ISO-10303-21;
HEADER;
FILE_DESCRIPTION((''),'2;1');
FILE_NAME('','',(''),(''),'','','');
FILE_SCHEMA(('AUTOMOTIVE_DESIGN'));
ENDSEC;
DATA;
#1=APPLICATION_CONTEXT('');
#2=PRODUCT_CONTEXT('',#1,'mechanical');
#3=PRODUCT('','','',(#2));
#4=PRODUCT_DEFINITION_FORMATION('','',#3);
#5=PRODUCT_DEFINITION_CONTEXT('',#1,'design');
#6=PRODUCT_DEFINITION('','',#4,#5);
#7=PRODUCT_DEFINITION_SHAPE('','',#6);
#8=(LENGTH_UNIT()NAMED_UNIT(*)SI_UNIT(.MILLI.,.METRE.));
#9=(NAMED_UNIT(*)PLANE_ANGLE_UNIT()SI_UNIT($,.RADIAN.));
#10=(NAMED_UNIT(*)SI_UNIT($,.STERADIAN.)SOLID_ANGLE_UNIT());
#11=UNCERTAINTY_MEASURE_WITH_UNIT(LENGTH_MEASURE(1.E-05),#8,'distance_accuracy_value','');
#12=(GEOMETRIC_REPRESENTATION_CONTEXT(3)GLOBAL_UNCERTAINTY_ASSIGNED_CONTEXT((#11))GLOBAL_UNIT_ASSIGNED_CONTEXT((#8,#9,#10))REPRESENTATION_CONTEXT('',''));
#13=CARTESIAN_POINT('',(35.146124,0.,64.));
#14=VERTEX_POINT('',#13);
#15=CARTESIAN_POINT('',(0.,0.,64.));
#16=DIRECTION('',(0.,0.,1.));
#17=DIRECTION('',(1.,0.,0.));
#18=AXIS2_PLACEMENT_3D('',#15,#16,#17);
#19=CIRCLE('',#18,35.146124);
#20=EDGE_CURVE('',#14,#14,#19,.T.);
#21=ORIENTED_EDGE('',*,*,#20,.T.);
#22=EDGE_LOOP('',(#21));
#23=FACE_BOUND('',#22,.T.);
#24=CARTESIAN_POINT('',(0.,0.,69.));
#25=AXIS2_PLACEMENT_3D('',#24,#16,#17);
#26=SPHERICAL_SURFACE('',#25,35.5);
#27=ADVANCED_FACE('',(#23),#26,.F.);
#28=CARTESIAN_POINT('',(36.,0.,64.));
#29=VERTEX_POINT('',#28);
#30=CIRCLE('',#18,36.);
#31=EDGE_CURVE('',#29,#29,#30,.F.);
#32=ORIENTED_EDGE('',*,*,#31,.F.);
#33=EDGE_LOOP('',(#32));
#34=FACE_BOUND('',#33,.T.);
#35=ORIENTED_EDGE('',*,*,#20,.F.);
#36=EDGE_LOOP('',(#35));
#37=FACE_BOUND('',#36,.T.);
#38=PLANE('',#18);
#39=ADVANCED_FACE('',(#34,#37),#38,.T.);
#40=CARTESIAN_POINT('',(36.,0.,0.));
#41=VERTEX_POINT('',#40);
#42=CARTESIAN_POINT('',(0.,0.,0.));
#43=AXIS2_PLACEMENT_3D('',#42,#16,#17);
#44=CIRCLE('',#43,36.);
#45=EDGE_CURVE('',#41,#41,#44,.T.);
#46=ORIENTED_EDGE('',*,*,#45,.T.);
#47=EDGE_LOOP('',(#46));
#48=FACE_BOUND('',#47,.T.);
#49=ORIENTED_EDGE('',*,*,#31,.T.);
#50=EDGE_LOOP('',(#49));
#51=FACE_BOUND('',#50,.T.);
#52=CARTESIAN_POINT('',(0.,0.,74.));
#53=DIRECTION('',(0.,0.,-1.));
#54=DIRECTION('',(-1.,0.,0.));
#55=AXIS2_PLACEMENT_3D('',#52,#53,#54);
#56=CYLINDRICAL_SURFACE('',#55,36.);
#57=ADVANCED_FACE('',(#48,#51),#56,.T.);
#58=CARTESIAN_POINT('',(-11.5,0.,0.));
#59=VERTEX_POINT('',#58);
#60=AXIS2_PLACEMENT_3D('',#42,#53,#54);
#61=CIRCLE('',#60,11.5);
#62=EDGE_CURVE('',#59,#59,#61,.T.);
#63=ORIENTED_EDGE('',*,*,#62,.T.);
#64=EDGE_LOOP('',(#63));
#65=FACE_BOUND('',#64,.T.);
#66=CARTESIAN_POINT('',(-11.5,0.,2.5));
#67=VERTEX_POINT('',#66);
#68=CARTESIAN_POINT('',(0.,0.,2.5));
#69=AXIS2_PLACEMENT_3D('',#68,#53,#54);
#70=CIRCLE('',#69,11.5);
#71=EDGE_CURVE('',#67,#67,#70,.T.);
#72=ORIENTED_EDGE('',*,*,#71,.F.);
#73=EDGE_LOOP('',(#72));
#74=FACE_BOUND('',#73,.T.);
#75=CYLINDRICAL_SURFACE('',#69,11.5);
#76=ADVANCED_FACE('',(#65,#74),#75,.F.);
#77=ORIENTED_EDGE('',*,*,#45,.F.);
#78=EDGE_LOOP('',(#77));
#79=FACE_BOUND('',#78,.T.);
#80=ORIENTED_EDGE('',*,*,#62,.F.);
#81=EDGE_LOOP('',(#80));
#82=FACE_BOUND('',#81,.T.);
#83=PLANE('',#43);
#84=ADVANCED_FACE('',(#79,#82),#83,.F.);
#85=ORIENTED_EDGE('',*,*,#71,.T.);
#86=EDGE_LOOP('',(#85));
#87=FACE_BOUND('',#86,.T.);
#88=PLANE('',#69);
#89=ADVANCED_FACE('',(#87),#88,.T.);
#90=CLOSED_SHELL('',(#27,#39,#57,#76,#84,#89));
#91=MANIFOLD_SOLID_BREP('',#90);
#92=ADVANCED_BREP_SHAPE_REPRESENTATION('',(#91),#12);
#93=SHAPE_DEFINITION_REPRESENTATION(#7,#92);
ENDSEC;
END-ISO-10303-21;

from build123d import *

# Parameters (mm, degrees)
SKETCH2_R           = 36
BOSS_EXTRUDE1_DEPTH = 74
CUT_REVOLVE1_ANGLE  = 180
CUT_EXTRUDE1_REACH  = 12
SKETCH5_W           = 97.630906447
SKETCH5_H           = 85.301230118
SKETCH6_R           = 11.5
CUT_EXTRUDE2_DEPTH  = 2.5


with BuildPart() as part:
    # Sketch2 → Boss-Extrude1 (new body)
    with BuildSketch(Plane.XY):
        Circle(SKETCH2_R)
    extrude(amount=BOSS_EXTRUDE1_DEPTH)

    # Sketch4 → Cut-Revolve1 (revolve, cut)
    with BuildSketch(Plane.XY.offset(69)):
        with BuildLine():
            Line((-35.5, 0), (35.5, 0))
            ThreePointArc((35.5, 0), (0, 35.5), (-35.5, 0))
        make_face()
    revolve(axis=Axis((-35.5, 0, 69), (-1, 0, 0)), revolution_arc=CUT_REVOLVE1_ANGLE, mode=Mode.SUBTRACT)

    # Sketch5 → Cut-Extrude1 (cut, up to next)
    with BuildSketch(Plane.XY.offset(64), mode=Mode.PRIVATE) as cut_extrude1_sk1:
        with Locations((-1.59772985, 0.365427289)):
            Rectangle(SKETCH5_W, SKETCH5_H)
    cut_extrude1_tool1 = extrude(cut_extrude1_sk1.sketch, amount=CUT_EXTRUDE1_REACH, mode=Mode.PRIVATE) & part.part
    add(cut_extrude1_tool1.solids().sort_by_distance((-1.59773, 0.365427, 64))[0], mode=Mode.SUBTRACT)

    # Sketch6 → Cut-Extrude2 (cut)
    with BuildSketch(Plane(origin=(0, 0, 0), x_dir=(-1, 0, 0), z_dir=(0, 0, -1))):
        Circle(SKETCH6_R)
    extrude(amount=-CUT_EXTRUDE2_DEPTH, mode=Mode.SUBTRACT)


solid = part.part
